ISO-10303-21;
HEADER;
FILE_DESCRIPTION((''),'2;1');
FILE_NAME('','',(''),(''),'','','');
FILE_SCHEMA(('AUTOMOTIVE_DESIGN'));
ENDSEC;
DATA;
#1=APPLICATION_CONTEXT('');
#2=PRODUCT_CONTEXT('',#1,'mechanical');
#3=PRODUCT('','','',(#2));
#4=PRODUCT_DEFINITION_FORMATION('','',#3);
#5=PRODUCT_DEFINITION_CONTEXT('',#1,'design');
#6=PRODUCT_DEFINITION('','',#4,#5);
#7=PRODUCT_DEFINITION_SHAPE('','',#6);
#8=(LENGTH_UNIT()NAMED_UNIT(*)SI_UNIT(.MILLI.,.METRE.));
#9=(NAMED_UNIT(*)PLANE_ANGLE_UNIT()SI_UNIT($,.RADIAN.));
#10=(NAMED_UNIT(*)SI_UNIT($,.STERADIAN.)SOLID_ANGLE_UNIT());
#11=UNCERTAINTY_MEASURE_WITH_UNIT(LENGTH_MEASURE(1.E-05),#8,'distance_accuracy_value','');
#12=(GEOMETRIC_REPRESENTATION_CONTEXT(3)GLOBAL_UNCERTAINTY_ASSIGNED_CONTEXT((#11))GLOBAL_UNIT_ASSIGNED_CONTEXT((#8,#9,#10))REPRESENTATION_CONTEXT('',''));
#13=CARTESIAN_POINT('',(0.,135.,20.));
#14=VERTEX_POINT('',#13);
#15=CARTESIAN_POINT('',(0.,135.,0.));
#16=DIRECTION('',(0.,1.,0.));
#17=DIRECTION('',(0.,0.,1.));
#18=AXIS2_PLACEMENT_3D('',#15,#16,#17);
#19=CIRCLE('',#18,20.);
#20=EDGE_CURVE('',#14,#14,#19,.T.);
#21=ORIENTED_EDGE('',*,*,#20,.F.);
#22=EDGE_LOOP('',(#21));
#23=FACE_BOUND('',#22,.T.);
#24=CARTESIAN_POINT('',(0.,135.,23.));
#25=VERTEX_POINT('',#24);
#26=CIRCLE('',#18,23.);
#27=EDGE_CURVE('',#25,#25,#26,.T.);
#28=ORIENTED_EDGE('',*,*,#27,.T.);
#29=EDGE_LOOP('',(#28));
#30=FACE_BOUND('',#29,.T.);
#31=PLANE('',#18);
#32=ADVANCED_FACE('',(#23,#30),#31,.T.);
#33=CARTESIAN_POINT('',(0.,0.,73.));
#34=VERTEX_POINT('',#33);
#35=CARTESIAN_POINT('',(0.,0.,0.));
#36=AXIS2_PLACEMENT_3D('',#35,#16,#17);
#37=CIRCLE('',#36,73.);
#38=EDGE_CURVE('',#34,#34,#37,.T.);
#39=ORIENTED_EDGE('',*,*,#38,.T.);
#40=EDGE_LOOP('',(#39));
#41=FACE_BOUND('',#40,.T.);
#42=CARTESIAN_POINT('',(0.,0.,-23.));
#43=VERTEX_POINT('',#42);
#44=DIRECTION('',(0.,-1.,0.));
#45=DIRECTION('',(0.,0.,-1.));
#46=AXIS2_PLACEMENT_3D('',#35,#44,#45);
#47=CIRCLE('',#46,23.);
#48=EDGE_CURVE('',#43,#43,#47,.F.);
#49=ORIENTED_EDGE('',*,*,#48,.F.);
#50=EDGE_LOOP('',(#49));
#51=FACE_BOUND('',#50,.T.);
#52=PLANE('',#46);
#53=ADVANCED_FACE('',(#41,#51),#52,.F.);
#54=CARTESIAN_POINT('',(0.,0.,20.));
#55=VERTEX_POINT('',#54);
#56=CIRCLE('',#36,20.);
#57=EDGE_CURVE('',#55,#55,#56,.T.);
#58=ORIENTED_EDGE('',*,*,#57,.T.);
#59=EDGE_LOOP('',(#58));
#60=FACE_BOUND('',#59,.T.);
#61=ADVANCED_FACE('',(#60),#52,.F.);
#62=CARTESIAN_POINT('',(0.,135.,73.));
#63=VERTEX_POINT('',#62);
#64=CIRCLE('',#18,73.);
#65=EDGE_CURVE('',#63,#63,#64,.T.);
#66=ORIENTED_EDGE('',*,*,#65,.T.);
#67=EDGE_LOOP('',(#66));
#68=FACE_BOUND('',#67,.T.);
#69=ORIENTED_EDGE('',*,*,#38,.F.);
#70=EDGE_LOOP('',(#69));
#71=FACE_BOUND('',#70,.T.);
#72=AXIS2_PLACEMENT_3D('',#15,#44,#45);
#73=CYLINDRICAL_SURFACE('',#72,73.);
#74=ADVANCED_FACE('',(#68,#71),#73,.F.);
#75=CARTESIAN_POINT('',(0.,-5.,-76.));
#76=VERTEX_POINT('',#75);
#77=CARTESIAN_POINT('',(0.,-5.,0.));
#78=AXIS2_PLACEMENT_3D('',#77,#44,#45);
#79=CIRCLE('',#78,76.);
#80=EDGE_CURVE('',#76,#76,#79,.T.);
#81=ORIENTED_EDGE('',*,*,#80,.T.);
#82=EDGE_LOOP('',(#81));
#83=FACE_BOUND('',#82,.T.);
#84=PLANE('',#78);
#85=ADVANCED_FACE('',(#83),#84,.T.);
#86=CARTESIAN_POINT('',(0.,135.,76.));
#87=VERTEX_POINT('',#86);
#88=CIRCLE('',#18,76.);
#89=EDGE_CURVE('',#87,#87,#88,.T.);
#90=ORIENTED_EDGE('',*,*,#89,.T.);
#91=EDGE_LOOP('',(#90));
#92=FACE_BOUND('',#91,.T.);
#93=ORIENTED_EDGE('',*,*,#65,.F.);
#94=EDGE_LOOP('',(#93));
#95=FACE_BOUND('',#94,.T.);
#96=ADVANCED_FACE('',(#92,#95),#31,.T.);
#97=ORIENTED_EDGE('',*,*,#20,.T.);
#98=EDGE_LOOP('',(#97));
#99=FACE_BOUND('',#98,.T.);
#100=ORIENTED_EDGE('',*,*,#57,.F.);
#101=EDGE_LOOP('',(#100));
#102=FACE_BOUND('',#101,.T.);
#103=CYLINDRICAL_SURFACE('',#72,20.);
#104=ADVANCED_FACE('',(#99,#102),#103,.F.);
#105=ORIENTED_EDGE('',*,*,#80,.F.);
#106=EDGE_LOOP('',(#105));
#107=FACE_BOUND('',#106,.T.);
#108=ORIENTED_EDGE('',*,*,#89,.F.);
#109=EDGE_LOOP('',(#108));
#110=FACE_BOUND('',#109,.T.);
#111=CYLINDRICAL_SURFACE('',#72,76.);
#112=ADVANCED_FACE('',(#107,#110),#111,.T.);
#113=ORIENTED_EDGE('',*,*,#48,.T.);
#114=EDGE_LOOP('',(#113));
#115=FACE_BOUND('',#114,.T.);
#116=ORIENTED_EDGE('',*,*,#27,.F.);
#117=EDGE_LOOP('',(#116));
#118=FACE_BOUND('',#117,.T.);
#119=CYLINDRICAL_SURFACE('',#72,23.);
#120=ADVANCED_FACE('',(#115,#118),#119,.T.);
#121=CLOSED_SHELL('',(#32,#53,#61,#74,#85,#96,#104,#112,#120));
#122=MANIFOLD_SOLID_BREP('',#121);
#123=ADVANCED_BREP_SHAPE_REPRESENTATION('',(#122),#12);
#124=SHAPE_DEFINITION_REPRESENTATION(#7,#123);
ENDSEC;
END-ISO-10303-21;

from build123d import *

# Parameters (mm, degrees)
SKETCH1_R             = 76
SKETCH1_R_2           = 73
BOSS_EXTRUDE3_DEPTH   = 135
SKETCH1_R_3           = 23
SKETCH1_R_4           = 20
BOSS_EXTRUDE3_2_DEPTH = 135
BOSS_EXTRUDE4_START   = 5
SKETCH2_R             = 76
BOSS_EXTRUDE4_DEPTH   = 5


with BuildPart() as part:
    # Sketch1 → Boss-Extrude3 (new body)
    with BuildSketch(Plane(origin=(0, 0, 0), x_dir=(1, 0, 0), z_dir=(0, 1, 0))):
        with Locations(Location((0, 0, 0), (0, 0, 270))):
            Circle(SKETCH1_R)
        with Locations(Location((0, 0, 0), (0, 0, 270))):
            Circle(SKETCH1_R_2, mode=Mode.SUBTRACT)
    extrude(amount=BOSS_EXTRUDE3_DEPTH)



with BuildPart() as body_2:
    # Sketch1 → Boss-Extrude3 2 (new body)
    with BuildSketch(Plane(origin=(0, 0, 0), x_dir=(1, 0, 0), z_dir=(0, 1, 0))):
        with Locations(Location((0, 0, 0), (0, 0, 270))):
            Circle(SKETCH1_R_3)
        with Locations(Location((0, 0, 0), (0, 0, 270))):
            Circle(SKETCH1_R_4, mode=Mode.SUBTRACT)
    extrude(amount=BOSS_EXTRUDE3_2_DEPTH)


with BuildPart() as part_1:
    add(part.part)

    add(body_2.part)  # Boss-Extrude4 merges body 2
    # Sketch2 → Boss-Extrude4 (add)
    with BuildSketch(Plane.XZ.offset(BOSS_EXTRUDE4_START)):
        with Locations(Location((0, 0, 0), (0, 0, 270))):
            Circle(SKETCH2_R)
    extrude(amount=-BOSS_EXTRUDE4_DEPTH)


solid = part_1.part
